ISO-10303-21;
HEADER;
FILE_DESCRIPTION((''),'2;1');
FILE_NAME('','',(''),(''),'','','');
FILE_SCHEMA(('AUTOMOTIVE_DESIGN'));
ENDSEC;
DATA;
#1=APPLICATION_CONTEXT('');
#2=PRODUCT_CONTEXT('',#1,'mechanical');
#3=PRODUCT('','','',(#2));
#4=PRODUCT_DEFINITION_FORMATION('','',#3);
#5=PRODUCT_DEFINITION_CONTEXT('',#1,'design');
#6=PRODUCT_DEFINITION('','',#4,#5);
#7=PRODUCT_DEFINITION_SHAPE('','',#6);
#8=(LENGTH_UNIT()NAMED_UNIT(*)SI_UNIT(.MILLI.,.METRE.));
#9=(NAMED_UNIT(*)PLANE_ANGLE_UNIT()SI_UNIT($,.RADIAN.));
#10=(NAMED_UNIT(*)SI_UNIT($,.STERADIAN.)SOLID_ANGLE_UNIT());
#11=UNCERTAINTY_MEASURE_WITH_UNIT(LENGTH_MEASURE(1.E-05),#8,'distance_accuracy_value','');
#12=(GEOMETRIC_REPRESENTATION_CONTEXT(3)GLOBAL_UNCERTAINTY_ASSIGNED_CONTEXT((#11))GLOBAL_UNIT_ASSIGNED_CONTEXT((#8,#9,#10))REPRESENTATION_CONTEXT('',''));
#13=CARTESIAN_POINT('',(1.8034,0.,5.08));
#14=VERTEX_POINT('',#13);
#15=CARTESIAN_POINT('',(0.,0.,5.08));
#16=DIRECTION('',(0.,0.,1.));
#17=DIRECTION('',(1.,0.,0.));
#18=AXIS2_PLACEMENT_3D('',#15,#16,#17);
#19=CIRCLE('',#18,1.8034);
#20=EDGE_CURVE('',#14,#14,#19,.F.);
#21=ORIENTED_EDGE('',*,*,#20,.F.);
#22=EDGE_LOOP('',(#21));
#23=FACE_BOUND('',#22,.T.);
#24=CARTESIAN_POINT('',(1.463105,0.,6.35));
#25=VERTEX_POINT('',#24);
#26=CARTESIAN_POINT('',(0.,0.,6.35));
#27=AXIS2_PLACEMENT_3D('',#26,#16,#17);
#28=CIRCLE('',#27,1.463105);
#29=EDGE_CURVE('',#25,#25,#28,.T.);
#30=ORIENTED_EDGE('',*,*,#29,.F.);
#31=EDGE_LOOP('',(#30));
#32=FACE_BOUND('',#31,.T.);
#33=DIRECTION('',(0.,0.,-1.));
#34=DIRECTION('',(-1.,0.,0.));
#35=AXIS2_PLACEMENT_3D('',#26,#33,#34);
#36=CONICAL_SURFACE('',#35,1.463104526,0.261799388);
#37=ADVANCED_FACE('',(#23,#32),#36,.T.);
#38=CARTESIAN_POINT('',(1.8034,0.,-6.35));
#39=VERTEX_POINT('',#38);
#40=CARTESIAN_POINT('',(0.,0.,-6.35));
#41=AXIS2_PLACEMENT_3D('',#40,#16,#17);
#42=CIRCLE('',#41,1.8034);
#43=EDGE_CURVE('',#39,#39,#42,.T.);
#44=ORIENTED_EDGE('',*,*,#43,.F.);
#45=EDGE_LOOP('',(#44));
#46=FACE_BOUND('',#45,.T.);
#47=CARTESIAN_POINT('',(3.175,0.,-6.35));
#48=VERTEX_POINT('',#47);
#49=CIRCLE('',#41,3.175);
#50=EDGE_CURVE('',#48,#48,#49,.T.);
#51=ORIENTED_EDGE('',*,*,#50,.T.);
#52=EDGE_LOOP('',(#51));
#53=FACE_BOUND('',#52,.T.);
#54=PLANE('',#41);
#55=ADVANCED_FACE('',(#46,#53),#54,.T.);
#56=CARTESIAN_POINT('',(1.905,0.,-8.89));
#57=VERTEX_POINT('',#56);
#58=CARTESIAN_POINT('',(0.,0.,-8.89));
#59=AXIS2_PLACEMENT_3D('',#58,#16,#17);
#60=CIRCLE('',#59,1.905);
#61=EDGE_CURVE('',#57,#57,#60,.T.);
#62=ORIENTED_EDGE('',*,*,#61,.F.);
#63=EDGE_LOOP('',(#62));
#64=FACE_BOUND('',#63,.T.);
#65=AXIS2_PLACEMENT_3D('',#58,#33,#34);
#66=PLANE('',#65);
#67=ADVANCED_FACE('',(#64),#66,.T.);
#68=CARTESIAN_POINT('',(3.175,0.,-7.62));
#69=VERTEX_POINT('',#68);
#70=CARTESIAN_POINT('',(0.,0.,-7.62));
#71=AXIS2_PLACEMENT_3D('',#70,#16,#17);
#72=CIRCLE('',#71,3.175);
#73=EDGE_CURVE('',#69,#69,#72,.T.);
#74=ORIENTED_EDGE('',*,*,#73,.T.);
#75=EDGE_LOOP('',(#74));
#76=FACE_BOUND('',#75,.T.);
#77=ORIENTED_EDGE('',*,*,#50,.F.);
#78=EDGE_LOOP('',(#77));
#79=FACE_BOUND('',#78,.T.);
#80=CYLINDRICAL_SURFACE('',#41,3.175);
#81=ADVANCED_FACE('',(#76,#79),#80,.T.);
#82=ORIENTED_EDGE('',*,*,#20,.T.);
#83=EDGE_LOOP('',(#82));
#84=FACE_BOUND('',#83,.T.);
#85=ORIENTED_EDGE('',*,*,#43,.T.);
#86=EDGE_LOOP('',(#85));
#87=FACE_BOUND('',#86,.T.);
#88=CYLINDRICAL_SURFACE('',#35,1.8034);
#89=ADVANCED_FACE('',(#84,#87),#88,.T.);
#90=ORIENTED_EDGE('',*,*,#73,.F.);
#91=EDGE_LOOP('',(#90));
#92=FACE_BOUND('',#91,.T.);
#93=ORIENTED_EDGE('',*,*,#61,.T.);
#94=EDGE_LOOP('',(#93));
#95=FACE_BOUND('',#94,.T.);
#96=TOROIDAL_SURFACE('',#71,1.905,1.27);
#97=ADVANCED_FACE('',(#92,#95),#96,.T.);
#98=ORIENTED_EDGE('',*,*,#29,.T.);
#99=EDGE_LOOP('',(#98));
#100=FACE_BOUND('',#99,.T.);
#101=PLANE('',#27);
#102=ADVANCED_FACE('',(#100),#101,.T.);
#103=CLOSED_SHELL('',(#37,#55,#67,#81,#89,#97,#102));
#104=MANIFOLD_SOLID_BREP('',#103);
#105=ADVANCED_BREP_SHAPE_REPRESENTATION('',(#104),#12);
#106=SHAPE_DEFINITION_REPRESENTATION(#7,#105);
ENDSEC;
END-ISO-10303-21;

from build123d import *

# Parameters (mm, degrees)
SKETCH1_R           = 1.8034
BOSS_EXTRUDE1_DEPTH = 6.35
CHAMFER1_SIZE       = 1.27
CHAMFER1_SIZE2      = 0.340295474


with BuildPart() as part:
    # Sketch1 → Boss-Extrude1 (new body, symmetric)
    with BuildSketch(Plane.XY):
        Circle(SKETCH1_R)
    extrude(amount=BOSS_EXTRUDE1_DEPTH, both=True)

    # Chamfer1
    chamfer1_edges = [part.edges().sort_by_distance(p)[0] for p in [
        (-1.8034, 0, 6.35),
    ]]
    chamfer1_side = [part.faces().sort_by_distance(p)[0] for p in [
        (-1.8034, 0, 0),
    ]]
    chamfer(chamfer1_edges, length=CHAMFER1_SIZE, length2=CHAMFER1_SIZE2, reference=chamfer1_side[0])

    # Sketch2 → Revolve1 (revolve)
    with BuildSketch(Plane(origin=(0, 0, 0), x_dir=(1, 0, 0), z_dir=(0, 1, 0))):
        with BuildLine():
            Line((0, 6.35), (3.175, 6.35))
            Line((3.175, 6.35), (3.175, 7.62))
            ThreePointArc((3.175, 7.62), (2.803025612, 8.518025612), (1.905, 8.89))
            Line((1.905, 8.89), (0, 8.89))
            Line((0, 8.89), (0, 6.35))
        make_face()
    revolve(axis=Axis((0, 0, -6.35), (0, 0, -1)))


solid = part.part
